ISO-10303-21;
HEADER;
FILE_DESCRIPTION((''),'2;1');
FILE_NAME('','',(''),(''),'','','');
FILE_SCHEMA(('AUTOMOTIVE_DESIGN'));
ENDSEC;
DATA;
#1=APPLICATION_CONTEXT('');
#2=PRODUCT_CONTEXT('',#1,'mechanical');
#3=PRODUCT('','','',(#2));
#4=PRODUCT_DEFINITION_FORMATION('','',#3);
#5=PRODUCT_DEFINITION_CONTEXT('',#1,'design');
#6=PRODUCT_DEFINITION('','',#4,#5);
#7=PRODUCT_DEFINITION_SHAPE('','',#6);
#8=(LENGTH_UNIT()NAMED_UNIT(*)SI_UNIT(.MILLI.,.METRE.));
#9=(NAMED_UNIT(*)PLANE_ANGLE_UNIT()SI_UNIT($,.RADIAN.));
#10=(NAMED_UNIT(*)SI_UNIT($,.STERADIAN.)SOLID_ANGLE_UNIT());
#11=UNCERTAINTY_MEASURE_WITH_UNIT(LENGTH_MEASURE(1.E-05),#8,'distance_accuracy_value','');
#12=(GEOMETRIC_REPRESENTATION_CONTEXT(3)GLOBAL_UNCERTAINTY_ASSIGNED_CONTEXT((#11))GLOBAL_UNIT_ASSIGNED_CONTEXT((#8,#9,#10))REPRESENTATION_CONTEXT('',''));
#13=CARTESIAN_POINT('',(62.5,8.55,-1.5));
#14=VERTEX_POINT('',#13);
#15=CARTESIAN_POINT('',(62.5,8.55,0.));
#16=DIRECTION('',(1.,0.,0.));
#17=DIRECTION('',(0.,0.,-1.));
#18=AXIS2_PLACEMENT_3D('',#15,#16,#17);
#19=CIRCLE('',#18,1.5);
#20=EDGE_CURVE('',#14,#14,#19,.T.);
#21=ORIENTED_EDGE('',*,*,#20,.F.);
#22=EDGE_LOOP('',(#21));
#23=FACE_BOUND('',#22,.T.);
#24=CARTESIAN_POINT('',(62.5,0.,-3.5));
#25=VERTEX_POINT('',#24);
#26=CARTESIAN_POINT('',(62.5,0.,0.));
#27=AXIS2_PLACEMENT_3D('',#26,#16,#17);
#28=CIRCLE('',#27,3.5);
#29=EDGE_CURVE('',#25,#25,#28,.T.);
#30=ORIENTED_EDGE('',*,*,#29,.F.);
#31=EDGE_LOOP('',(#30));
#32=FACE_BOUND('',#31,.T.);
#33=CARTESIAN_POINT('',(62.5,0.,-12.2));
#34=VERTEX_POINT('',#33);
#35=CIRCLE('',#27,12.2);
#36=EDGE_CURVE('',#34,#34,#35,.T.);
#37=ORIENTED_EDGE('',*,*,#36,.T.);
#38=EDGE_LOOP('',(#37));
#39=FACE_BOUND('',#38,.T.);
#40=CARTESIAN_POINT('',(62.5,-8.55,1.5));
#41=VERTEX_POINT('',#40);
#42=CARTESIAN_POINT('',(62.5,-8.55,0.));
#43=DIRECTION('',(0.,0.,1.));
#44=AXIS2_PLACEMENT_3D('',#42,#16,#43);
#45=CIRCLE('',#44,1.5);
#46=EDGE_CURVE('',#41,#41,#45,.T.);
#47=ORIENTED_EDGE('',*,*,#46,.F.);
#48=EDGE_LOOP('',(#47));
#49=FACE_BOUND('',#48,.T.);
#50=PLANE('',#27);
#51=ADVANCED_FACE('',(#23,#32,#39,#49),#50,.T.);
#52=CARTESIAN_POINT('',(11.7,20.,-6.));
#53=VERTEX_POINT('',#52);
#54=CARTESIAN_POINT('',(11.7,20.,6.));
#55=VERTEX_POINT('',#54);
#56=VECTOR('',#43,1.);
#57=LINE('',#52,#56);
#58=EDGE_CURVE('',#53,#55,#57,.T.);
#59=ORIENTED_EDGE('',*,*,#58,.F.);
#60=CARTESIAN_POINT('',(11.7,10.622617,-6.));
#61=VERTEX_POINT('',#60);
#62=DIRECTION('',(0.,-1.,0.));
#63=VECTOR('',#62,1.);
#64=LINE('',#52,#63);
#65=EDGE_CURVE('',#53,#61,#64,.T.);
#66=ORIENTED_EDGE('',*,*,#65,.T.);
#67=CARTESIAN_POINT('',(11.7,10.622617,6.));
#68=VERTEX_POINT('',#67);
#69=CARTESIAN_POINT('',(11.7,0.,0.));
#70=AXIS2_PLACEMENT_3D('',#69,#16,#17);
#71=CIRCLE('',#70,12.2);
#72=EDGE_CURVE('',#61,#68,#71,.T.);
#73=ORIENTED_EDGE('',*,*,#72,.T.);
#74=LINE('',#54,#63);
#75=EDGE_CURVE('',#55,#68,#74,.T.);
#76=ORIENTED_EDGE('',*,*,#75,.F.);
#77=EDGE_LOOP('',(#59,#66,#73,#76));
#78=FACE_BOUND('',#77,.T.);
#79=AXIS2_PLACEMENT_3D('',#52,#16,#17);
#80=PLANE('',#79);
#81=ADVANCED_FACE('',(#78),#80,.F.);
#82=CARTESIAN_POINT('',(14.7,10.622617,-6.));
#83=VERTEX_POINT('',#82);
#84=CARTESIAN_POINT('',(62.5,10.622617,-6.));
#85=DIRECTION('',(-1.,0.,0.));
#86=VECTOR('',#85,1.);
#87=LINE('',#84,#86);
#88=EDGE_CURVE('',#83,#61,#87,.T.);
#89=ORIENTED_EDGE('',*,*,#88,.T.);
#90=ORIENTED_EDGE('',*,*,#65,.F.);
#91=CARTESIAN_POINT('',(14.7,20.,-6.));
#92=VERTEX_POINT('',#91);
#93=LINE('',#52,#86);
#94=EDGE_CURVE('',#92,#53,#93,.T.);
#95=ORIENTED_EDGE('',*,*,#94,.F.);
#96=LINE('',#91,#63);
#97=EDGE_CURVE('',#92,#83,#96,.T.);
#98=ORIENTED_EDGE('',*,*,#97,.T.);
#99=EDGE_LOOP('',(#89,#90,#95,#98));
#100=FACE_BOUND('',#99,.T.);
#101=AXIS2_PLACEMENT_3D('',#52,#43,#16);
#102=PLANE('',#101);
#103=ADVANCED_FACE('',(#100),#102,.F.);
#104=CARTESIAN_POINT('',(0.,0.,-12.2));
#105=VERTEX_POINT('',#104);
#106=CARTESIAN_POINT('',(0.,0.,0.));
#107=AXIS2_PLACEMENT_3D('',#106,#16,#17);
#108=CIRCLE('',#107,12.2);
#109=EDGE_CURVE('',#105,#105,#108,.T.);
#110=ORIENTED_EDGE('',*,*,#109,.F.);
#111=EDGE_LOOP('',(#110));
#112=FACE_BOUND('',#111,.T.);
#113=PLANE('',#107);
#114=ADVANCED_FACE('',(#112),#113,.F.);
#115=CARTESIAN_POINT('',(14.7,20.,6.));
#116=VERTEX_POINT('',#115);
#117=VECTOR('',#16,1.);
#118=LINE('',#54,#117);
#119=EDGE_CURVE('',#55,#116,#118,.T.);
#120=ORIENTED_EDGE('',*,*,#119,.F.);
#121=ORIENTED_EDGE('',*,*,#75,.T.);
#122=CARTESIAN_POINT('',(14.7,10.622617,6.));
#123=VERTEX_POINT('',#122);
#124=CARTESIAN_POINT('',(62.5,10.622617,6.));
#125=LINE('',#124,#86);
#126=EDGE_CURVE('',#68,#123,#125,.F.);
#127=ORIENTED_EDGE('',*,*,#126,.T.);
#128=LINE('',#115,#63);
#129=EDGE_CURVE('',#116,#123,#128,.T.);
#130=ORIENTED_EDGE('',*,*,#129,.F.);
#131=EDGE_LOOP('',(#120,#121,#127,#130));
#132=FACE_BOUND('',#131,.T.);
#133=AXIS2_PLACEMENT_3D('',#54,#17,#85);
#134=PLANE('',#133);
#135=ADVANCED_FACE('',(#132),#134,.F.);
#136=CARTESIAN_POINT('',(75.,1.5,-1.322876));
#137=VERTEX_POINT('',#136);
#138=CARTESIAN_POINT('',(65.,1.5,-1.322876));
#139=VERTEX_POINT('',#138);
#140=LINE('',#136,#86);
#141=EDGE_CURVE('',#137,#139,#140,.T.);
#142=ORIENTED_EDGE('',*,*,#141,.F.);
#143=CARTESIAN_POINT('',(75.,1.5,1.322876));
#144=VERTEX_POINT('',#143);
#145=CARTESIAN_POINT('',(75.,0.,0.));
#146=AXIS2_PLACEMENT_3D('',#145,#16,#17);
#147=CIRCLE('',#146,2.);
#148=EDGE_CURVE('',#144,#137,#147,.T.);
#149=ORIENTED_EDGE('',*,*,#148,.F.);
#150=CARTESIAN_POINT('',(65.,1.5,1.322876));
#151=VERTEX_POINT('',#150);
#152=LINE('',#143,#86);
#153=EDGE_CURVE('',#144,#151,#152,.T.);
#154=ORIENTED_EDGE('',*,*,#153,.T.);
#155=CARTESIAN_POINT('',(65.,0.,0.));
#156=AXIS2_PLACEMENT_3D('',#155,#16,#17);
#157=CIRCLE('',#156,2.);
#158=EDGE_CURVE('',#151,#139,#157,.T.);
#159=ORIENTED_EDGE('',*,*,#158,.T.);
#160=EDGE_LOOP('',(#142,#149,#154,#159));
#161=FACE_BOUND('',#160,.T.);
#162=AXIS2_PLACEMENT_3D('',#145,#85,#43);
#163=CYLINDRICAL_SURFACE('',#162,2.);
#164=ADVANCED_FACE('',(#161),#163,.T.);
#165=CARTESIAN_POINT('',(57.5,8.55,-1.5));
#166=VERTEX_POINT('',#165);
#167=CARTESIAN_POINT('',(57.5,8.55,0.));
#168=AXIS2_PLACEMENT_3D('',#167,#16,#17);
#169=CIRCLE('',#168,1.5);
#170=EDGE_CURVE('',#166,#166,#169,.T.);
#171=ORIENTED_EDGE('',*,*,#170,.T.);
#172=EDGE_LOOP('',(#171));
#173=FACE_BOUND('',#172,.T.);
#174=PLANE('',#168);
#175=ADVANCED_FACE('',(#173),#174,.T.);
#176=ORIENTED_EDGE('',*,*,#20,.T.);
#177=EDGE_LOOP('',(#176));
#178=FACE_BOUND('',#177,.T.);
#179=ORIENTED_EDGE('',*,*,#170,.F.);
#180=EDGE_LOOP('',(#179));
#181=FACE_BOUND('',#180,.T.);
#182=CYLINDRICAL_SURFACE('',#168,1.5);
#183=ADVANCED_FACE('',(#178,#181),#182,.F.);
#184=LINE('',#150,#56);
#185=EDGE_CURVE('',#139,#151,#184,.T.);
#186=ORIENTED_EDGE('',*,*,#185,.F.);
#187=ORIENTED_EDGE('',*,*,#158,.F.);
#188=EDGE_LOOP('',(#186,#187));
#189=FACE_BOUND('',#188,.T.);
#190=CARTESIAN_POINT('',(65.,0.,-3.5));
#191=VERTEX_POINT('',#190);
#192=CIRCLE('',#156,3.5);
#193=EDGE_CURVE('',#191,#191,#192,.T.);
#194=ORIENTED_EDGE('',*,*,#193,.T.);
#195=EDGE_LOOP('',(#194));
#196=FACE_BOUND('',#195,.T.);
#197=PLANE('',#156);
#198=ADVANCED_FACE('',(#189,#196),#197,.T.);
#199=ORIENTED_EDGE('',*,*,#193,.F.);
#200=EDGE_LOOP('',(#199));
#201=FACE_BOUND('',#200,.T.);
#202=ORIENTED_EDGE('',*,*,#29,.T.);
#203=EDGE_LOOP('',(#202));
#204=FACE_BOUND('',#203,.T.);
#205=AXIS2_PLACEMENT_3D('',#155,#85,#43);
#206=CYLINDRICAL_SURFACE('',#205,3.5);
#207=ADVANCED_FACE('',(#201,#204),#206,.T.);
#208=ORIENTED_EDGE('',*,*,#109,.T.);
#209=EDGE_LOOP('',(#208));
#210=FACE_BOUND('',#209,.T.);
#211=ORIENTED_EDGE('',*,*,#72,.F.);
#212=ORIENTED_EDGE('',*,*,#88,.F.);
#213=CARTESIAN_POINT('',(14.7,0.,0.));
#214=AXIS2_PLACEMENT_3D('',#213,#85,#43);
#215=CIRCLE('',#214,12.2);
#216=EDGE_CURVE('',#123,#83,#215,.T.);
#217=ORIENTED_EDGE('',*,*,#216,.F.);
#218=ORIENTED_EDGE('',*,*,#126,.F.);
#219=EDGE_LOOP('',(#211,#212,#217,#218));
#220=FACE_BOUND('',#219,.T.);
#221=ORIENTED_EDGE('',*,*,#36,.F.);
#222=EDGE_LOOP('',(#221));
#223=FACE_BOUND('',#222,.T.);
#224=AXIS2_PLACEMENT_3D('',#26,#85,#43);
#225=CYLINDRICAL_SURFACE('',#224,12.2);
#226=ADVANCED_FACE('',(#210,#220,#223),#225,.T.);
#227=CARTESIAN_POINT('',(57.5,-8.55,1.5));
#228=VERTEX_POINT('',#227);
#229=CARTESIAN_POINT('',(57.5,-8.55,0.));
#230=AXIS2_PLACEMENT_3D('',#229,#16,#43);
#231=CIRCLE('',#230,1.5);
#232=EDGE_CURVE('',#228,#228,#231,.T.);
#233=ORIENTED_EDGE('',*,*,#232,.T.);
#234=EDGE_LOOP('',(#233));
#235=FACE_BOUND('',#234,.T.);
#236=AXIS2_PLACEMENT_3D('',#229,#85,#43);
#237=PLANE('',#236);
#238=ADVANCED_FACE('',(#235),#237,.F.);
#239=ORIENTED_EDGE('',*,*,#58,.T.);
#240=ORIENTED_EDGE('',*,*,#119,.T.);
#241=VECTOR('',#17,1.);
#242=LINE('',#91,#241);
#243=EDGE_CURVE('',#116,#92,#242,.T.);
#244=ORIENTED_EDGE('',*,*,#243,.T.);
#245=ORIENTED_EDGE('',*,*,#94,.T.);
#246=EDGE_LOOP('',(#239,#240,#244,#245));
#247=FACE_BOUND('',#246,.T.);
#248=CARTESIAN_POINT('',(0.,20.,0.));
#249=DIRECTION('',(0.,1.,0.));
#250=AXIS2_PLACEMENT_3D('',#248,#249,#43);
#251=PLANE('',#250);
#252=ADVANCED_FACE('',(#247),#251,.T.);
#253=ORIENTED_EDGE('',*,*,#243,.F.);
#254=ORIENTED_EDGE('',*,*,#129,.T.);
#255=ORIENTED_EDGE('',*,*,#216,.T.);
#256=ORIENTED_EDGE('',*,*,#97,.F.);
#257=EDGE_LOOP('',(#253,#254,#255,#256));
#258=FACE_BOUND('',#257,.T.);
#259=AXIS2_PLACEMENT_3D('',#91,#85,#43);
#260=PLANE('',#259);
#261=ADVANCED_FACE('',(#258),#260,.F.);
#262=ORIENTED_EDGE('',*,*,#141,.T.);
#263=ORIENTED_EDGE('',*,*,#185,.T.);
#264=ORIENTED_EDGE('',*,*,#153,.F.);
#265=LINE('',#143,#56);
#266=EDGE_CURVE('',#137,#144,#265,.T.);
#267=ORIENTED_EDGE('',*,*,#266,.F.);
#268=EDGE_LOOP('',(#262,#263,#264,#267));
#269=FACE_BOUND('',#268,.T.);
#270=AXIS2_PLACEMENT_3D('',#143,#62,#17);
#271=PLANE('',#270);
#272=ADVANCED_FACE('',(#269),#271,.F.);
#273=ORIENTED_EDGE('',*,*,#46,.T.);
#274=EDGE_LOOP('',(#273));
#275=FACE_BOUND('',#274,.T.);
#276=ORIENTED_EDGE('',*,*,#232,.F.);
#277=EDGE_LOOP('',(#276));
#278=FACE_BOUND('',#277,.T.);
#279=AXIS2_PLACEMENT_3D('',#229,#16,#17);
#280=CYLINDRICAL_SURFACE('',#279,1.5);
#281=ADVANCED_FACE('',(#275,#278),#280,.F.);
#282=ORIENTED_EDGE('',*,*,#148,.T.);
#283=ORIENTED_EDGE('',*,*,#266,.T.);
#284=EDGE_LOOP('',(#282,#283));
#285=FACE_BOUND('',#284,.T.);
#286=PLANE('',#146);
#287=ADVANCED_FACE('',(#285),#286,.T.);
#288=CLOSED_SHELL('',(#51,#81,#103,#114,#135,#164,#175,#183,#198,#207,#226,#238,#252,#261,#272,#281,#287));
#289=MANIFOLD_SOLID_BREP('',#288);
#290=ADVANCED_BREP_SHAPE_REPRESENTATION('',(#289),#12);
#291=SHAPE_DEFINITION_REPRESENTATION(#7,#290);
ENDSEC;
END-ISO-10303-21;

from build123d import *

# Parameters (mm, degrees)
SKETCH1_R           = 12.2
BOSS_EXTRUDE1_DEPTH = 62.5
SKETCH2_R           = 3.5
BOSS_EXTRUDE2_DEPTH = 2.5
BOSS_EXTRUDE3_DEPTH = 10
SKETCH4_R           = 1.5
CUT_EXTRUDE1_DEPTH  = 5
SKETCH5_W           = 3
SKETCH5_H           = 12
BOSS_EXTRUDE4_DEPTH = 20


with BuildPart() as part:
    # Sketch1 → Boss-Extrude1 (new body)
    with BuildSketch(Plane(origin=(0, 0, 0), x_dir=(0, 0, -1), z_dir=(1, 0, 0))):
        Circle(SKETCH1_R)
    extrude(amount=BOSS_EXTRUDE1_DEPTH)

    # Sketch2 → Boss-Extrude2 (add)
    with BuildSketch(Plane(origin=(62.5, 0, 0), x_dir=(0, 0, -1), z_dir=(1, 0, 0))):
        Circle(SKETCH2_R)
    extrude(amount=BOSS_EXTRUDE2_DEPTH)

    # Sketch3 → Boss-Extrude3 (add)
    with BuildSketch(Plane(origin=(65, 0, 0), x_dir=(0, 0, -1), z_dir=(1, 0, 0))):
        with BuildLine():
            Line((-1.322875656, 1.5), (1.322875656, 1.5))
            ThreePointArc((1.322875656, 1.5), (0, -2), (-1.322875656, 1.5))
        make_face()
    extrude(amount=BOSS_EXTRUDE3_DEPTH)

    # Sketch4 → Cut-Extrude1 (cut)
    with BuildSketch(Plane(origin=(62.5, 0, 0), x_dir=(0, 0, -1), z_dir=(1, 0, 0))):
        with Locations((0, 8.55)):
            Circle(SKETCH4_R)
        with Locations((0, -8.55)):
            Circle(SKETCH4_R)
    extrude(amount=-CUT_EXTRUDE1_DEPTH, mode=Mode.SUBTRACT)

    # Sketch5 → Boss-Extrude4 (add)
    with BuildSketch(Plane(origin=(0, 0, 0), x_dir=(1, 0, 0), z_dir=(0, 1, 0))):
        with Locations((13.2, 0)):
            Rectangle(SKETCH5_W, SKETCH5_H)
    extrude(amount=BOSS_EXTRUDE4_DEPTH)


solid = part.part
